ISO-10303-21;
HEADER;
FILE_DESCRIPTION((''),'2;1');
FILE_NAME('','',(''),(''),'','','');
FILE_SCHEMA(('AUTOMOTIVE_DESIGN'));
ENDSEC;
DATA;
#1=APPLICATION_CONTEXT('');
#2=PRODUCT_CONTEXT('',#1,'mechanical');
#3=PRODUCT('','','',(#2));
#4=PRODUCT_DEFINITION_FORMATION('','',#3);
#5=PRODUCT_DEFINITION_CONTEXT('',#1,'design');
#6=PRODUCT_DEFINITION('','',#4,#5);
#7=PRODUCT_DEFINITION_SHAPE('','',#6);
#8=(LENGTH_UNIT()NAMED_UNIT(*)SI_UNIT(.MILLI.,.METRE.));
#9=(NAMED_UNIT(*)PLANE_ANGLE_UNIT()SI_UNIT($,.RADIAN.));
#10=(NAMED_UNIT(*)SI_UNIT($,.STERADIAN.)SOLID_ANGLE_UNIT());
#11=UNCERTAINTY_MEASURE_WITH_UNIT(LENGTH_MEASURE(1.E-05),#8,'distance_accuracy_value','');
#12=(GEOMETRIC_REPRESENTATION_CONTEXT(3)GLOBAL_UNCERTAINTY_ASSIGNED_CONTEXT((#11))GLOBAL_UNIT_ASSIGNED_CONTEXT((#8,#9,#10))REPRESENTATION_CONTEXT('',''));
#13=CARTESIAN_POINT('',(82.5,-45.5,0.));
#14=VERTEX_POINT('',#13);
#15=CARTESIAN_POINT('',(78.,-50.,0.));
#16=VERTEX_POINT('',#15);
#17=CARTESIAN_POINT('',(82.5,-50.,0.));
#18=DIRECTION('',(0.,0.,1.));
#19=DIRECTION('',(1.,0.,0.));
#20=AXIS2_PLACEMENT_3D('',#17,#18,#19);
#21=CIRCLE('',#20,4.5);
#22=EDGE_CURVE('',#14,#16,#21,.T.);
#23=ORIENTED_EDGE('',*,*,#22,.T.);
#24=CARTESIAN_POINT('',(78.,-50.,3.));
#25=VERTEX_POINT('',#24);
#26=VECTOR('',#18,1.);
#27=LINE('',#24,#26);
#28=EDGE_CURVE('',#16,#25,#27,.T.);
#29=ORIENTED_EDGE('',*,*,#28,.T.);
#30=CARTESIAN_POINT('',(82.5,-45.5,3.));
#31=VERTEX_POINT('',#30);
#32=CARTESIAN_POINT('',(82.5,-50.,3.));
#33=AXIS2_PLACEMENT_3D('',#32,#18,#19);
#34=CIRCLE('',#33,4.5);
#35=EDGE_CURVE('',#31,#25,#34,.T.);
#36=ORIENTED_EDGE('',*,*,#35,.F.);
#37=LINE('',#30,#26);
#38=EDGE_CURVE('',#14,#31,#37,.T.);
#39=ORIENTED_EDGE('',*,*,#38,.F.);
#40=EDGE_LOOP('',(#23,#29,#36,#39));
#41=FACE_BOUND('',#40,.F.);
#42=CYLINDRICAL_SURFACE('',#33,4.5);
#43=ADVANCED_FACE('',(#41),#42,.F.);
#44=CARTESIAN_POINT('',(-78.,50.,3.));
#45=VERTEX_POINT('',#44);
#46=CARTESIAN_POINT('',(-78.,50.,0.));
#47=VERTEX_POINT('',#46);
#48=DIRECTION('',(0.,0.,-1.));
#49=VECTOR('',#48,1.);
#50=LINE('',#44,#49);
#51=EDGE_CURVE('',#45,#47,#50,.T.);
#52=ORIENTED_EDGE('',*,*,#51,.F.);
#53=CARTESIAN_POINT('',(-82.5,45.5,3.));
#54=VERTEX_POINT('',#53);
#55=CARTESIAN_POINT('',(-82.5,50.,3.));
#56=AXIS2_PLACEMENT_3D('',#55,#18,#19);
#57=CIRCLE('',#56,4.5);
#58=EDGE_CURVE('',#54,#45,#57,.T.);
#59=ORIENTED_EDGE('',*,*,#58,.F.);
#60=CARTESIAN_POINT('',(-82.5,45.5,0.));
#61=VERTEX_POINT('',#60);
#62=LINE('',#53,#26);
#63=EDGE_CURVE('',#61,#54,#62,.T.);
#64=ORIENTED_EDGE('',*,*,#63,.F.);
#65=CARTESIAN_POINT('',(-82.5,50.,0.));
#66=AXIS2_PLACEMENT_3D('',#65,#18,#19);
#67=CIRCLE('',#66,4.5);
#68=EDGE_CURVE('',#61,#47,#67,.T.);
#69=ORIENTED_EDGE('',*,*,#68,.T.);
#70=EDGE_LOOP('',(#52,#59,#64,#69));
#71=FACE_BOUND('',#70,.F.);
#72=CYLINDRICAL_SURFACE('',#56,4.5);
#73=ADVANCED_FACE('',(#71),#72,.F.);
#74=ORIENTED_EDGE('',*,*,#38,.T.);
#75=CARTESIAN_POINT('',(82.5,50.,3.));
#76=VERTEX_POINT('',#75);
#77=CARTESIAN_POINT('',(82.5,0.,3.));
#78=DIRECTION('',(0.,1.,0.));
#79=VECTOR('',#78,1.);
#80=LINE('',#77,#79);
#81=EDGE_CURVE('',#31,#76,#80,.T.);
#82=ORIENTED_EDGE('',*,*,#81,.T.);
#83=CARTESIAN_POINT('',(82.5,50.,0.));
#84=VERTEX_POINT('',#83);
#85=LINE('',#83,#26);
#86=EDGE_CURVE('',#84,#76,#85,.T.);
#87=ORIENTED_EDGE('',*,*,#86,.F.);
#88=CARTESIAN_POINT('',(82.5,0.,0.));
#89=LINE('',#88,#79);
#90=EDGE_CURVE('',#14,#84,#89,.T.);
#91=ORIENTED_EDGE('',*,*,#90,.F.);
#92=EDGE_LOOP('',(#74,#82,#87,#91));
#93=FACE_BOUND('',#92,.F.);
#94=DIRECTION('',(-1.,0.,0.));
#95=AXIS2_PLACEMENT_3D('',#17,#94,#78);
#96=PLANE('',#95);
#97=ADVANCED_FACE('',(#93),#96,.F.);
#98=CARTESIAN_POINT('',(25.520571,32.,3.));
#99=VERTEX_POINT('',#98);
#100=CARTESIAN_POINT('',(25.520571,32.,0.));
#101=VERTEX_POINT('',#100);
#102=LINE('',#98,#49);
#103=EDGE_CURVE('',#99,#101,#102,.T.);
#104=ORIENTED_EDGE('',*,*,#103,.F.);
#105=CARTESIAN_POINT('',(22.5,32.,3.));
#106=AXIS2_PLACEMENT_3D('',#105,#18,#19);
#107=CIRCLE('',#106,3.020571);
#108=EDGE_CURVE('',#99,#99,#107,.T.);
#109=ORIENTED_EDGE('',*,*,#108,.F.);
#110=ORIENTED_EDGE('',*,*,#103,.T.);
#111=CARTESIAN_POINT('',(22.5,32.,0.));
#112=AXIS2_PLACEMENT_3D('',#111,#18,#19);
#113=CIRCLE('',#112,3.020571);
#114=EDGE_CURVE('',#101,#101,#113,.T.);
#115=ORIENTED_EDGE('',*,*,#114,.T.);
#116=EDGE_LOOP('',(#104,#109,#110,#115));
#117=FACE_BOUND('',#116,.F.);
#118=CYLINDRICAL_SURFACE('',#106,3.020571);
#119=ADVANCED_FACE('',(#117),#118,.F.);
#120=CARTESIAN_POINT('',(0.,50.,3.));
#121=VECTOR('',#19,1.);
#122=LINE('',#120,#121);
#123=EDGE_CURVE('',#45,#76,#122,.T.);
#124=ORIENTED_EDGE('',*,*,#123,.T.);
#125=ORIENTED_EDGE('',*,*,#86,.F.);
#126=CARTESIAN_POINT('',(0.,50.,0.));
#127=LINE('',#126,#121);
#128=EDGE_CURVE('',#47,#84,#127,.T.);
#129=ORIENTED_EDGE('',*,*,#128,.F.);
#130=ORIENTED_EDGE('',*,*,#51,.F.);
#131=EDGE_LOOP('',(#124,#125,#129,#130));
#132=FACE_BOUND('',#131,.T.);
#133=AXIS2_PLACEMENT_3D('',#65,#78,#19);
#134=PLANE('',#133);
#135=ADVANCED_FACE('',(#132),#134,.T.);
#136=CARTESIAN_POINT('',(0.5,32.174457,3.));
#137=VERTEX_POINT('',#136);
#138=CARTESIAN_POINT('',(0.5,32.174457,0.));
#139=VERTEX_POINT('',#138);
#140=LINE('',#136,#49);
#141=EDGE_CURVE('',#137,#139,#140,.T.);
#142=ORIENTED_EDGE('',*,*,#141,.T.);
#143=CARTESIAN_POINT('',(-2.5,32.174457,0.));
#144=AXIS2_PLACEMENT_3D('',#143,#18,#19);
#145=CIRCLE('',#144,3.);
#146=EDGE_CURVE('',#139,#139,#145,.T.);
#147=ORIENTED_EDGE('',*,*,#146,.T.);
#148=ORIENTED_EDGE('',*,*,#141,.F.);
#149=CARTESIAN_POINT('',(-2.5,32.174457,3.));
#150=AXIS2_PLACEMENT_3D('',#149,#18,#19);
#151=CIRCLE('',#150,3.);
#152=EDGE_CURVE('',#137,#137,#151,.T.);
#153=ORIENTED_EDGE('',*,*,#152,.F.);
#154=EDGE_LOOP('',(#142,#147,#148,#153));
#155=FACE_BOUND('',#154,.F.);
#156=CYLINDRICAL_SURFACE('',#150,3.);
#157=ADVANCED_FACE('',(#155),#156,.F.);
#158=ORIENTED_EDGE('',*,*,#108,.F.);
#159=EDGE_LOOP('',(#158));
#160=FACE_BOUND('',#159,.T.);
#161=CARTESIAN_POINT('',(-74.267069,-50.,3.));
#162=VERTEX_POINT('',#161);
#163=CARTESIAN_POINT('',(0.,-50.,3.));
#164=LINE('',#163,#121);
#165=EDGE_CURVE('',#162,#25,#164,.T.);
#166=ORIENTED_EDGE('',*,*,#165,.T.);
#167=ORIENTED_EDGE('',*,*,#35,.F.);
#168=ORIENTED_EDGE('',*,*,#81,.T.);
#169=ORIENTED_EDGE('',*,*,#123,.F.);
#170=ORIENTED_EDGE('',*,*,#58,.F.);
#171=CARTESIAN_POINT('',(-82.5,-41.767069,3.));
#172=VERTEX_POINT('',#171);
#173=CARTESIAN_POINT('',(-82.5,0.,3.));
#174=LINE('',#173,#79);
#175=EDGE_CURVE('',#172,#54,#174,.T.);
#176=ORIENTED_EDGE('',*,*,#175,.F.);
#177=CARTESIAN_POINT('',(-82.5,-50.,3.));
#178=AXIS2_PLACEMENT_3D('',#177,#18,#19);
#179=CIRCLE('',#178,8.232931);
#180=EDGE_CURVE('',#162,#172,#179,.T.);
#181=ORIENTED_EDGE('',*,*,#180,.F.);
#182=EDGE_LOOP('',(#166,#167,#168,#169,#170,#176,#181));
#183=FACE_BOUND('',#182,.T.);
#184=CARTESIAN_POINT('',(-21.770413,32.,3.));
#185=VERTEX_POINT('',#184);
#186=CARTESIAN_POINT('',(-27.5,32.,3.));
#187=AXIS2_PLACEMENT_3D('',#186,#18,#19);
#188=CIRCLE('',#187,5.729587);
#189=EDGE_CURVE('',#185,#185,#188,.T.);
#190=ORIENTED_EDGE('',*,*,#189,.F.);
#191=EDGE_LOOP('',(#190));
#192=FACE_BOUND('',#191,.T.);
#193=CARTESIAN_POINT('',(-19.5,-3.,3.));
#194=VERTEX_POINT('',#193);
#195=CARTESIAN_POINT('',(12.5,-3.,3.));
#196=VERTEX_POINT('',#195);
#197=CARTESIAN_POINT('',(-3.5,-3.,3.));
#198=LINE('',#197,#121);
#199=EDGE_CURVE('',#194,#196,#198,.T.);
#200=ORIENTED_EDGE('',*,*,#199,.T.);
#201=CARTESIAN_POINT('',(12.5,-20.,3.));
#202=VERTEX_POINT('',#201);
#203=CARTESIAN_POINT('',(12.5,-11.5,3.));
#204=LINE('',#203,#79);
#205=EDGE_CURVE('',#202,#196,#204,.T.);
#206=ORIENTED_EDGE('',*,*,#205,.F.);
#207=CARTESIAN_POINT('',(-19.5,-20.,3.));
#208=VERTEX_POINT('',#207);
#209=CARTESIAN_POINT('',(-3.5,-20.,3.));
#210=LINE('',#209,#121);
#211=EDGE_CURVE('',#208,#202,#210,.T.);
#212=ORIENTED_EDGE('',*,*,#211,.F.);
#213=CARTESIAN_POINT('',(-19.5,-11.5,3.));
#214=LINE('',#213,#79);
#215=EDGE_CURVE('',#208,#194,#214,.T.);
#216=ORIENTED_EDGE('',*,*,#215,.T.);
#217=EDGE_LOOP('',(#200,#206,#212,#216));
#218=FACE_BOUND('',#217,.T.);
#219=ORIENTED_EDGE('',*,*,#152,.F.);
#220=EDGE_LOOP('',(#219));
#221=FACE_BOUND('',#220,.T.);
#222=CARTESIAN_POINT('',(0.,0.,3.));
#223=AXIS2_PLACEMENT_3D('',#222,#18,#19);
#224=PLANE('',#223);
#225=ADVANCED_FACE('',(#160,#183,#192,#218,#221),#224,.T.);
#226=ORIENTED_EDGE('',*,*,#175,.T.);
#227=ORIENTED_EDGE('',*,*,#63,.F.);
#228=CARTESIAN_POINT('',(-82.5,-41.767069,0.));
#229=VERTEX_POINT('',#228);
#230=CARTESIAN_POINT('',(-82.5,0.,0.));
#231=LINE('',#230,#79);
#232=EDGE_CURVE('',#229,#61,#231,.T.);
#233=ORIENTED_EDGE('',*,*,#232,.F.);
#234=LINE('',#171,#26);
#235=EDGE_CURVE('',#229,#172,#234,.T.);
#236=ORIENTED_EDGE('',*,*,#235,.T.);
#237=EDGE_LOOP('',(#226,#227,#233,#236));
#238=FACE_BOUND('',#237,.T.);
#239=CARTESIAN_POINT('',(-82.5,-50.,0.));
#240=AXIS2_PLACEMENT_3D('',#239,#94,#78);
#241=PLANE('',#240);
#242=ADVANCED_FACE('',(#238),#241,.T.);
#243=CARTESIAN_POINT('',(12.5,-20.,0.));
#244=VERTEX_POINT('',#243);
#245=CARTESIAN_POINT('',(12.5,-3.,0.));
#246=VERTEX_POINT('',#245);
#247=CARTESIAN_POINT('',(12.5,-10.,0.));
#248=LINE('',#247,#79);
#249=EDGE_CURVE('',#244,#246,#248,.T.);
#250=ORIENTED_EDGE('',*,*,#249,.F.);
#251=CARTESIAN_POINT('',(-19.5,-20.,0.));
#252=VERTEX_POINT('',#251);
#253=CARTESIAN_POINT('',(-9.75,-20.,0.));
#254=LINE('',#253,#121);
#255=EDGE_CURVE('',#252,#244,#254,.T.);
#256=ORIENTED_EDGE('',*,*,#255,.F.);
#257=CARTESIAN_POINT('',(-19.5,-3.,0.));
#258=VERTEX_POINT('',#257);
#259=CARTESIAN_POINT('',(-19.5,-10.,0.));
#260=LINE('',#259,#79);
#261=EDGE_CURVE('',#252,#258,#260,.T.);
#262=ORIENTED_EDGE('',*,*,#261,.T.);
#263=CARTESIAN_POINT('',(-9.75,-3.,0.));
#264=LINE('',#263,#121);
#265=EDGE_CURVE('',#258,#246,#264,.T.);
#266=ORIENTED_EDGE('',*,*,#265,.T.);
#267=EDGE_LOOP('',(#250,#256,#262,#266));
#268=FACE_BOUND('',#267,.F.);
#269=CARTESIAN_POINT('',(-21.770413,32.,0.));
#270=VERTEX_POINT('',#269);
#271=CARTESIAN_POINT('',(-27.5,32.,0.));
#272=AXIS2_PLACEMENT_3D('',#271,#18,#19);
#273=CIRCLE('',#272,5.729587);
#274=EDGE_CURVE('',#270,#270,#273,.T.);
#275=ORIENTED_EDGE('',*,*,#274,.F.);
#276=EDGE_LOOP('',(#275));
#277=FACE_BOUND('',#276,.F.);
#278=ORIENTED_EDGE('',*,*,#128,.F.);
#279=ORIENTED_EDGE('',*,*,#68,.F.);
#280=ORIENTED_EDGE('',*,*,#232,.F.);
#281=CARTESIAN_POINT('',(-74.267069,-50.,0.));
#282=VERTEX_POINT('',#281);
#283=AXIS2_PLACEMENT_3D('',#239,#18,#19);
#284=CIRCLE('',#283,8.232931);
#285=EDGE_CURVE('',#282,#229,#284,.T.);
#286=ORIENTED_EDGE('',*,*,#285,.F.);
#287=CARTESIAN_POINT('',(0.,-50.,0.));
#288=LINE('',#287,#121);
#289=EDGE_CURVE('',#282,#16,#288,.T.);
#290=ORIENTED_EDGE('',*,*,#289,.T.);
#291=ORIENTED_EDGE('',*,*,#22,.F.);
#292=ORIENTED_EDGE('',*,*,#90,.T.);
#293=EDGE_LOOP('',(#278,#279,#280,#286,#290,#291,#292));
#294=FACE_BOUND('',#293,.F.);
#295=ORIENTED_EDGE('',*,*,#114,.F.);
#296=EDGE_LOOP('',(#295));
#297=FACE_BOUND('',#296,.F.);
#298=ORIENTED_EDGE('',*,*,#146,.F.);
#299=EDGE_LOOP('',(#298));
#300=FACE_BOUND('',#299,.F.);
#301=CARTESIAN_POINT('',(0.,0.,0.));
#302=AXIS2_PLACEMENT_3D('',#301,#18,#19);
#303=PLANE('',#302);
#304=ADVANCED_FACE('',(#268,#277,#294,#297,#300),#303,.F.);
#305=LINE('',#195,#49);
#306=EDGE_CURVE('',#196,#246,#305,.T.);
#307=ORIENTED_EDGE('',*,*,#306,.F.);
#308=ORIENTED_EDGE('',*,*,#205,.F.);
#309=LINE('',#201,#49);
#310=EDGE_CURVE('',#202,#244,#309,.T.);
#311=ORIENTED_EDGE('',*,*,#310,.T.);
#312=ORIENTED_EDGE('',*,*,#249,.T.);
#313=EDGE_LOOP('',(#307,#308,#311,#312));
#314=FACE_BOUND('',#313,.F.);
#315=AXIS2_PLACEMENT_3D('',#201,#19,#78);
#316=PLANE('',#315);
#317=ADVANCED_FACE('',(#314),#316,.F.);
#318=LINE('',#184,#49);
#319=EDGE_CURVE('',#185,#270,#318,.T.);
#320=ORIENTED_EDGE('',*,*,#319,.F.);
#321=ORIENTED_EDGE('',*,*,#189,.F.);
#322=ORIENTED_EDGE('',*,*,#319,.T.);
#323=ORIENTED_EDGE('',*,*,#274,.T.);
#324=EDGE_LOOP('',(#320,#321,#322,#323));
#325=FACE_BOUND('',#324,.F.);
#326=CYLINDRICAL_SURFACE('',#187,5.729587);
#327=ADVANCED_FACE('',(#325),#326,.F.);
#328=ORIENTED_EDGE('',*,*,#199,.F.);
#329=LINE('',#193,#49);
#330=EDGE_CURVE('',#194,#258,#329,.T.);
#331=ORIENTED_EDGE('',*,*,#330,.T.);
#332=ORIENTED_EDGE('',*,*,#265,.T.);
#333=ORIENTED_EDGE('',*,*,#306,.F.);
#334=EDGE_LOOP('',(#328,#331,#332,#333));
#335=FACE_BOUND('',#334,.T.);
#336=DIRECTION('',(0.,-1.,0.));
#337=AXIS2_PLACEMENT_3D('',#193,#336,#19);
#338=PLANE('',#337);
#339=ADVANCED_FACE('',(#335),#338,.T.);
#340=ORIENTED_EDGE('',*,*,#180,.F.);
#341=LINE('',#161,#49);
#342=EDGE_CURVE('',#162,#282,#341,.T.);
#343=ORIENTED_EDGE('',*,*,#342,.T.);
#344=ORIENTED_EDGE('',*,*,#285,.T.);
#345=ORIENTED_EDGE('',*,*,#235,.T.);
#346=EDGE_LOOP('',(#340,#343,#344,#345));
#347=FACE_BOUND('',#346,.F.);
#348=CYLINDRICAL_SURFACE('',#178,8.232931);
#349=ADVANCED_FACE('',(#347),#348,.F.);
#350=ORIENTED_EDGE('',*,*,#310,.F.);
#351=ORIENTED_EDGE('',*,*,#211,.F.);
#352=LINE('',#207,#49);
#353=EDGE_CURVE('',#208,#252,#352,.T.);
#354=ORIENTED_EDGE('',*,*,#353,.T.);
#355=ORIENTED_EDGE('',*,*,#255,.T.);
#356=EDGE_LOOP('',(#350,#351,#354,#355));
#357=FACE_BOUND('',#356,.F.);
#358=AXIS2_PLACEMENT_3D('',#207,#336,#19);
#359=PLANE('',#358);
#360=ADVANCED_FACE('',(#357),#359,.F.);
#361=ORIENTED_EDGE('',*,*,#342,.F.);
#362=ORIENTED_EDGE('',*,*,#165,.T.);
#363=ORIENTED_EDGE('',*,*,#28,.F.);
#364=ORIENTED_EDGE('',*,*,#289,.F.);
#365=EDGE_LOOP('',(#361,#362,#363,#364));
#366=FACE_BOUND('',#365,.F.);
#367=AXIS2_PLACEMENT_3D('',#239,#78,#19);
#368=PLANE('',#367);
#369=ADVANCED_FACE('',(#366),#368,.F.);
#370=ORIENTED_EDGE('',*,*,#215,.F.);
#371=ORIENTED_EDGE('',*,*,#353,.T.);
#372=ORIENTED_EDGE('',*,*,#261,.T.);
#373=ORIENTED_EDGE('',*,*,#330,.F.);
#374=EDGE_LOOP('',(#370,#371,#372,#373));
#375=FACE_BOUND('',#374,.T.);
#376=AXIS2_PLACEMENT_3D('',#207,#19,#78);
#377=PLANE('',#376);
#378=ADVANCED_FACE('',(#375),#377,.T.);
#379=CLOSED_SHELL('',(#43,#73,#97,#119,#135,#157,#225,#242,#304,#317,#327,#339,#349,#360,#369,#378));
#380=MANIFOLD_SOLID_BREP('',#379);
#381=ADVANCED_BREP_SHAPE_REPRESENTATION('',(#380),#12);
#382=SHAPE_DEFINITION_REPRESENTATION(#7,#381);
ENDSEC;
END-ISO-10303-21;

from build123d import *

# Parameters (mm, degrees)
F0_W     = 165
F0_H     = 100
F1_DEPTH = 3
F2_R     = 3.020571
F2_R_2   = 3
F2_R_3   = 5.729587
F2_W     = 32
F2_H     = 17
F2_R_4   = 8.232931
F2_R_5   = 4.5
F3_DEPTH = 25


with BuildPart() as f1:
    # F0 (on Top) → F1 (new body)
    with BuildSketch(Plane.XY):
        Rectangle(F0_W, F0_H)
    extrude(amount=F1_DEPTH)

    # F2 (on face) → F3 (cut)
    with BuildSketch(Plane.XY.offset(3)):
        with Locations((22.5, 32)):
            Circle(F2_R)
        with Locations((-2.5, 32.174457)):
            Circle(F2_R_2)
        with Locations((-27.5, 32)):
            Circle(F2_R_3)
        with Locations((-3.5, -11.5)):
            Rectangle(F2_W, F2_H)
        with Locations((-82.5, -50)):
            Circle(F2_R_4)
        with Locations((-82.5, 50)):
            Circle(F2_R_5)
        with Locations((82.5, -50)):
            Circle(F2_R_5)
    extrude(amount=-F3_DEPTH, mode=Mode.SUBTRACT)


solid = f1.part
